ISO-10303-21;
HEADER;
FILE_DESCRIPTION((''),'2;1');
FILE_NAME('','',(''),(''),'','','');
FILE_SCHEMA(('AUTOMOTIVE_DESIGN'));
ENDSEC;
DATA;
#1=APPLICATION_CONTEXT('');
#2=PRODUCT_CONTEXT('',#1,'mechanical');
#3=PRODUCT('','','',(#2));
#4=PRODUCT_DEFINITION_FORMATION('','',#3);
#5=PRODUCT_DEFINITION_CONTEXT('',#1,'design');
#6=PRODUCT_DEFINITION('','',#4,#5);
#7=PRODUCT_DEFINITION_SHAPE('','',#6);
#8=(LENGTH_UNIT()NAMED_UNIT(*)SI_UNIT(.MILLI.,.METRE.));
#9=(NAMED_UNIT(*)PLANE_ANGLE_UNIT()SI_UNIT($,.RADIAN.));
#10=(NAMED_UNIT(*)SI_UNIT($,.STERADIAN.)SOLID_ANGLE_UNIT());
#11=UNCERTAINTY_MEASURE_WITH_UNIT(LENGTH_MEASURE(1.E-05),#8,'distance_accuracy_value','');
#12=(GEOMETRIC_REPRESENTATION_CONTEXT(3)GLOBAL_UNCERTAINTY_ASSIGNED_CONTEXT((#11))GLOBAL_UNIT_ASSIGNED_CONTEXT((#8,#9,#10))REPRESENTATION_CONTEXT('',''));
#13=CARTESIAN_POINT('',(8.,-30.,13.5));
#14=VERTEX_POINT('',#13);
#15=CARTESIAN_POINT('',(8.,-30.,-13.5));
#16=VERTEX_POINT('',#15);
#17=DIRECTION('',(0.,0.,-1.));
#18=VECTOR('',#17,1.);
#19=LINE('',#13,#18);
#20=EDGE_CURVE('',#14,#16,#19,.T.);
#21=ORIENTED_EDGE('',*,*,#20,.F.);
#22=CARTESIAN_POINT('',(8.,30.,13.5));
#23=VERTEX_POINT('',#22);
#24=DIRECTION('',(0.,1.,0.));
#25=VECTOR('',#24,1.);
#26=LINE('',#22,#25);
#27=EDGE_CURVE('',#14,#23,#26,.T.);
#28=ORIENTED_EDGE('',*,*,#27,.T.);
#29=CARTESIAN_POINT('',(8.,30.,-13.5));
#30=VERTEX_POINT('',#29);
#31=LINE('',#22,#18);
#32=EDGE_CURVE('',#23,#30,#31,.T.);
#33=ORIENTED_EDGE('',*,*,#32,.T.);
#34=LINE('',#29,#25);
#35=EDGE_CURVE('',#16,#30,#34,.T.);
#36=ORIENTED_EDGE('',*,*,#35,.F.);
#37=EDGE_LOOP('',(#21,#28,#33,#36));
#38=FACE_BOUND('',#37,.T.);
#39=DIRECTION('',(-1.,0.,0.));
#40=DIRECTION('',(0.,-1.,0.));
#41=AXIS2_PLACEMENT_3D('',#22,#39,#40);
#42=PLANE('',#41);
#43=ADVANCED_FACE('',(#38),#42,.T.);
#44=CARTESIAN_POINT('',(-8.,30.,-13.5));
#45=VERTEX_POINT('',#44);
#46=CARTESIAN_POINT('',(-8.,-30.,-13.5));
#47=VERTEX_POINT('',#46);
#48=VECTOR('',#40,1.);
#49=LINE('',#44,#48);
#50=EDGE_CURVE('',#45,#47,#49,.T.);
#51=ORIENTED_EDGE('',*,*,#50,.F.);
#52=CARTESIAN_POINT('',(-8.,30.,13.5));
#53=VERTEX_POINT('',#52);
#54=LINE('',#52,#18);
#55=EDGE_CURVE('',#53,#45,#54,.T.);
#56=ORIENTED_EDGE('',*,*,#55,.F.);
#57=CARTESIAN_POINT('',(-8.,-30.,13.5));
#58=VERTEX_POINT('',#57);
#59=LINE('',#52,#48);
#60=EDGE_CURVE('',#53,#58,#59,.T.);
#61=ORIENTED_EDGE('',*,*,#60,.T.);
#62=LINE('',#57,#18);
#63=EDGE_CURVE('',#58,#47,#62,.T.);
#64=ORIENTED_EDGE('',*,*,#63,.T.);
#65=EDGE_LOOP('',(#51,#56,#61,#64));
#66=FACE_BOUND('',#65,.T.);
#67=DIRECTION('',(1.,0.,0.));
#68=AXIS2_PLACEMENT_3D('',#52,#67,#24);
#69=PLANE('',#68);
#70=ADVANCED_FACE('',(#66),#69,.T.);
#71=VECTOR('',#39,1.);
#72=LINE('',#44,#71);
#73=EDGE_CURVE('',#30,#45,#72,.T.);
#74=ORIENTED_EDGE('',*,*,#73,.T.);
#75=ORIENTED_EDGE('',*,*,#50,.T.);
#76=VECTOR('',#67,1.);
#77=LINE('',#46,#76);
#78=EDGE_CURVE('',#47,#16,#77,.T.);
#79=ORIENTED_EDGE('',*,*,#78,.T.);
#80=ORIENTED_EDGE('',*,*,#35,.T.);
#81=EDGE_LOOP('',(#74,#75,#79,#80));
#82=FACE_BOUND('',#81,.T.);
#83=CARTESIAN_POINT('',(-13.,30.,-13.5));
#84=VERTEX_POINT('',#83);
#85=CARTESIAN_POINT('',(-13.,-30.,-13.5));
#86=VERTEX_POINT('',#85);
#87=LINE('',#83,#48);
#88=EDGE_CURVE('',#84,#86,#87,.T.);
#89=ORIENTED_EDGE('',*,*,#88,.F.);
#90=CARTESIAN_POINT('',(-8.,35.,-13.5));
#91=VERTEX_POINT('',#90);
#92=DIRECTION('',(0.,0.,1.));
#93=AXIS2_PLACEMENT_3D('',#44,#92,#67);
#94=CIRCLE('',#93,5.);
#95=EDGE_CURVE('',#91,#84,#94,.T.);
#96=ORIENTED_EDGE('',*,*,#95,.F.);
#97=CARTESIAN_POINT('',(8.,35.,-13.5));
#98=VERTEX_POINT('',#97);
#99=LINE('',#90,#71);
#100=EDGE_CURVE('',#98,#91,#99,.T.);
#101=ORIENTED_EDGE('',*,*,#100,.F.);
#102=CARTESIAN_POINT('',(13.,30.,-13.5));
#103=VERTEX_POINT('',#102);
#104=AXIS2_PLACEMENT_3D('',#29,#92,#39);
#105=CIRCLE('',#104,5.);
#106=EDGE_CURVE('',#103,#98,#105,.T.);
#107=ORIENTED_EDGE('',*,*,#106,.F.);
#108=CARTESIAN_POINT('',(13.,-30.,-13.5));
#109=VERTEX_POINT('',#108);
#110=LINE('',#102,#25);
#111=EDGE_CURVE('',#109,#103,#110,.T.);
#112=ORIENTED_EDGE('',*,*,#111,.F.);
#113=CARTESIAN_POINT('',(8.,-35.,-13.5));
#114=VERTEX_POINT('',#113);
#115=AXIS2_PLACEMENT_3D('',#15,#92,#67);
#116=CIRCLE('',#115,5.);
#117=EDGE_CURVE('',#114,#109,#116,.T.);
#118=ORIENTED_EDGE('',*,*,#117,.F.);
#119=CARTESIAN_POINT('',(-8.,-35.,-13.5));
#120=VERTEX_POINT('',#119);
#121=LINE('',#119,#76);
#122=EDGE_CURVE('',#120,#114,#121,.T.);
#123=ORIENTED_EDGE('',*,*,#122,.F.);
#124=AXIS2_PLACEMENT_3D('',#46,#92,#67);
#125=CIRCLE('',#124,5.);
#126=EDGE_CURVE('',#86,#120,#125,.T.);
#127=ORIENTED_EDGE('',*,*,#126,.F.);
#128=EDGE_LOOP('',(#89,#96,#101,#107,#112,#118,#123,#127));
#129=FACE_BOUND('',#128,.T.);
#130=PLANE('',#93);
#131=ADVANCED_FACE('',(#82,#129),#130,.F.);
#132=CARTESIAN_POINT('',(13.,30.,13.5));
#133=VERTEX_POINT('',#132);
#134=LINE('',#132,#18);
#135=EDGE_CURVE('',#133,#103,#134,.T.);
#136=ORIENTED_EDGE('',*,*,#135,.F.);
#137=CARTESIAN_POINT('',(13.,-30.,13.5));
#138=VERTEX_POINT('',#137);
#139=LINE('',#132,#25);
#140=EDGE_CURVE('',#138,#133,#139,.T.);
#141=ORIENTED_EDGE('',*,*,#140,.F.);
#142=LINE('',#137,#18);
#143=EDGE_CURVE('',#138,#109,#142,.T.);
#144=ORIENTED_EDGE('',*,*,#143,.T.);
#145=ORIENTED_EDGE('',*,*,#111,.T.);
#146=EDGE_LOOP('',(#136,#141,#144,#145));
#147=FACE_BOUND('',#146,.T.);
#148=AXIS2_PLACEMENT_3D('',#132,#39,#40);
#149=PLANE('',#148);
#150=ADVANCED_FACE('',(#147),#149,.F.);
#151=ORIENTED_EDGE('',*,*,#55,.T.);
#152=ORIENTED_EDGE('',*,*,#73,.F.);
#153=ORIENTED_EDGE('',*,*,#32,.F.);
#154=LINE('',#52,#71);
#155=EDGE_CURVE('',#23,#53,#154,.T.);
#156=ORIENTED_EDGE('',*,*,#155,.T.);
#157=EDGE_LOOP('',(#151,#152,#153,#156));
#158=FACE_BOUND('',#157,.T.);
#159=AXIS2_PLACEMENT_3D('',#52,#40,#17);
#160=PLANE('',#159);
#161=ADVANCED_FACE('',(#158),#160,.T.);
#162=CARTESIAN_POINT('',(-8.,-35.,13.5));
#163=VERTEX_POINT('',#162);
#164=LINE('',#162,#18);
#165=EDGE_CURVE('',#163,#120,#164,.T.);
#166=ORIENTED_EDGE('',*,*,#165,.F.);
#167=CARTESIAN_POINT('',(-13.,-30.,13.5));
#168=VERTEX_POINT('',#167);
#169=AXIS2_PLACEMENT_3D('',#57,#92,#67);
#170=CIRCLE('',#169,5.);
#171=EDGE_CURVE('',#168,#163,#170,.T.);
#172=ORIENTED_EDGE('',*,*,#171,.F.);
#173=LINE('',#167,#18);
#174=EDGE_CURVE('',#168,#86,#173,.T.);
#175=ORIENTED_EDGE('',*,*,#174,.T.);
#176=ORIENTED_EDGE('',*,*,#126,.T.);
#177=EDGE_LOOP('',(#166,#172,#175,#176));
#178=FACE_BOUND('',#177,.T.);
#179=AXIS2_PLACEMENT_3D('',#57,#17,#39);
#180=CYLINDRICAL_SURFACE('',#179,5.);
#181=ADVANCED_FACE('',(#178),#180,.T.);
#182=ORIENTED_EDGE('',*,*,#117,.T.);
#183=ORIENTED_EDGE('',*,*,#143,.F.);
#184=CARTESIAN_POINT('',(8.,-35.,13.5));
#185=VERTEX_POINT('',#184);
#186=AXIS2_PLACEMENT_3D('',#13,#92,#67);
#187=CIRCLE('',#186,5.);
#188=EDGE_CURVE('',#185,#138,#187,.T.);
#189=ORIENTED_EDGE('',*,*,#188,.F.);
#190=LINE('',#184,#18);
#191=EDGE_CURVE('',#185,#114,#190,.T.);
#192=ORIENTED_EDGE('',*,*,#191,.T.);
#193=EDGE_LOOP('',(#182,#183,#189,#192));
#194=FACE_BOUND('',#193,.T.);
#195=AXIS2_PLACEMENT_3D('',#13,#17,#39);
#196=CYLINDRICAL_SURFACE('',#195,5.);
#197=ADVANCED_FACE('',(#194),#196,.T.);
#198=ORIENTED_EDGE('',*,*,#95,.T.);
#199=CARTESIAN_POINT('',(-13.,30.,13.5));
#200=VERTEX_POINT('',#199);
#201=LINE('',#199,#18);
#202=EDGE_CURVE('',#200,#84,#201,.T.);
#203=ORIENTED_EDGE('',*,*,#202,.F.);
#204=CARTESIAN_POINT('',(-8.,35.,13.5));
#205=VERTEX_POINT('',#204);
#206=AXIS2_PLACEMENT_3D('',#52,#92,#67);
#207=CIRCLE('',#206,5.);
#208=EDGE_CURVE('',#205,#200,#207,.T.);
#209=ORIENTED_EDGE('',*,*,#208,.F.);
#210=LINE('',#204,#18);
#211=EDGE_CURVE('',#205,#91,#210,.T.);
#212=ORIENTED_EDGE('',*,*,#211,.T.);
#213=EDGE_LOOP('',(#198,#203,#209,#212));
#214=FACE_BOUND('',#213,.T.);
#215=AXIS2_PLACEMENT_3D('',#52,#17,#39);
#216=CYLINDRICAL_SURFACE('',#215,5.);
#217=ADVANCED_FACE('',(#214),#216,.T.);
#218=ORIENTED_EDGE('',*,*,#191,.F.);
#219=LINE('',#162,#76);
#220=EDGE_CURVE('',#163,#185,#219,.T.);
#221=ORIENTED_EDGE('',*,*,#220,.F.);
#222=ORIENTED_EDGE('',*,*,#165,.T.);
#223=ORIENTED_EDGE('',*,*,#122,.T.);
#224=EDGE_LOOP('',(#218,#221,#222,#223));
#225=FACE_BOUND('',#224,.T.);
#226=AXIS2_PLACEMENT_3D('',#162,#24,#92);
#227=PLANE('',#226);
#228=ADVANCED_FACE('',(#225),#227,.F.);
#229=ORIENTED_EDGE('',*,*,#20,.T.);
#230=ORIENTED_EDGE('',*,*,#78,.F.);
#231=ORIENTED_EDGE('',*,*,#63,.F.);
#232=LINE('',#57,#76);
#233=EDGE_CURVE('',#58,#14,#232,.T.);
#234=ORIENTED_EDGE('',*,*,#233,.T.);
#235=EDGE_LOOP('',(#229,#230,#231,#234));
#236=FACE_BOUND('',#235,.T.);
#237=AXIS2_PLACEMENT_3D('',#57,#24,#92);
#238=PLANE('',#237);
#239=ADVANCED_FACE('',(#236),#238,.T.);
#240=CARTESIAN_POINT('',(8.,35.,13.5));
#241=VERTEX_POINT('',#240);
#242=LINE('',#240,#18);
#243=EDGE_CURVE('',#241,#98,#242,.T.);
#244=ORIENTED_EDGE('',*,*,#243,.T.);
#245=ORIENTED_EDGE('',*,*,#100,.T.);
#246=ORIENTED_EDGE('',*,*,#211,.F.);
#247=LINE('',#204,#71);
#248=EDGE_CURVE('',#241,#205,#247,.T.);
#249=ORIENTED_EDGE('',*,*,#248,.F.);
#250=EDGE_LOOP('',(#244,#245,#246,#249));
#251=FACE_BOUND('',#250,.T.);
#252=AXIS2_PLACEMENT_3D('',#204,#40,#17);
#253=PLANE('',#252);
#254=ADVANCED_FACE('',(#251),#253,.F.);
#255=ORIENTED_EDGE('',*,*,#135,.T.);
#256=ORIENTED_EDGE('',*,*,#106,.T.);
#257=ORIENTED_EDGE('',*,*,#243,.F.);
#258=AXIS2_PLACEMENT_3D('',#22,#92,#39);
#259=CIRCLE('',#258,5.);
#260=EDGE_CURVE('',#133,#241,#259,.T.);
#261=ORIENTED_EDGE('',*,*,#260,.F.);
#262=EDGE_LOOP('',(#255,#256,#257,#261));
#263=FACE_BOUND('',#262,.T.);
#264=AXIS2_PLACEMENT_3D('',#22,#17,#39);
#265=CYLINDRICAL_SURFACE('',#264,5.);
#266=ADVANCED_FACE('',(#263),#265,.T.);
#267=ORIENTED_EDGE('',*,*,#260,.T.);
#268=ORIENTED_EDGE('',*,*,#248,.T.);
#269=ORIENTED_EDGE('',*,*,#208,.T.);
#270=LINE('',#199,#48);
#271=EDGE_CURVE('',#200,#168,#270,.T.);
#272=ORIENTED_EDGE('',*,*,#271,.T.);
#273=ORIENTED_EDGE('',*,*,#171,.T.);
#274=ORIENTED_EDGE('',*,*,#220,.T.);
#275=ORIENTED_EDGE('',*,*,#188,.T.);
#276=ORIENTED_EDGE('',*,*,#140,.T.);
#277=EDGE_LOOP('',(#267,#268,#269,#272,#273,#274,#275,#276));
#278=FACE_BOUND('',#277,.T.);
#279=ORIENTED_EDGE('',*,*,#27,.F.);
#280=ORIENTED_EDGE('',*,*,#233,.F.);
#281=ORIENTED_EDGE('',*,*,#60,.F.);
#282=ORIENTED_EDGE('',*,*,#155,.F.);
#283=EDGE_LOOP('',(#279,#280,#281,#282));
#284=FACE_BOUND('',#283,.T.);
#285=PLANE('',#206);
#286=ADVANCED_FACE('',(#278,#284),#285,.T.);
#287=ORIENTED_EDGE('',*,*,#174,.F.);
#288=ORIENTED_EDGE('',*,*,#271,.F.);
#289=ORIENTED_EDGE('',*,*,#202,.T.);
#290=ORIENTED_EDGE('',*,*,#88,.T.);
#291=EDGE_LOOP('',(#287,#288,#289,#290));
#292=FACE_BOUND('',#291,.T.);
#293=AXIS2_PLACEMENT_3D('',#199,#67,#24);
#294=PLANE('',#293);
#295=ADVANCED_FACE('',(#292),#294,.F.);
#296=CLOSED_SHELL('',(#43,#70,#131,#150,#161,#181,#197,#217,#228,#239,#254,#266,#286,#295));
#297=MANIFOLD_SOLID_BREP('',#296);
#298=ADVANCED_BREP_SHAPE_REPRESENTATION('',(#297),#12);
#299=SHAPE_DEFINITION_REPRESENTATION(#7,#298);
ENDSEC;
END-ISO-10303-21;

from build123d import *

# Parameters (mm, degrees)
SKETCH1_W           = 16
SKETCH1_H           = 60
BOSS_EXTRUDE1_DEPTH = 13.5


with BuildPart() as part:
    # Sketch1 → Boss-Extrude1 (new, symmetric)
    with BuildSketch(Plane.XY):
        with BuildLine():
            Line((-8, 35), (8, 35))
            ThreePointArc((8, 35), (11.535533906, 33.535533906), (13, 30))
            Line((13, 30), (13, -30))
            ThreePointArc((13, -30), (11.535533906, -33.535533906), (8, -35))
            Line((8, -35), (-8, -35))
            ThreePointArc((-8, -35), (-11.535533906, -33.535533906), (-13, -30))
            Line((-13, -30), (-13, 30))
            ThreePointArc((-13, 30), (-11.535533906, 33.535533906), (-8, 35))
        make_face()
        Rectangle(SKETCH1_W, SKETCH1_H, mode=Mode.SUBTRACT)
    extrude(amount=BOSS_EXTRUDE1_DEPTH, both=True)


solid = part.part
